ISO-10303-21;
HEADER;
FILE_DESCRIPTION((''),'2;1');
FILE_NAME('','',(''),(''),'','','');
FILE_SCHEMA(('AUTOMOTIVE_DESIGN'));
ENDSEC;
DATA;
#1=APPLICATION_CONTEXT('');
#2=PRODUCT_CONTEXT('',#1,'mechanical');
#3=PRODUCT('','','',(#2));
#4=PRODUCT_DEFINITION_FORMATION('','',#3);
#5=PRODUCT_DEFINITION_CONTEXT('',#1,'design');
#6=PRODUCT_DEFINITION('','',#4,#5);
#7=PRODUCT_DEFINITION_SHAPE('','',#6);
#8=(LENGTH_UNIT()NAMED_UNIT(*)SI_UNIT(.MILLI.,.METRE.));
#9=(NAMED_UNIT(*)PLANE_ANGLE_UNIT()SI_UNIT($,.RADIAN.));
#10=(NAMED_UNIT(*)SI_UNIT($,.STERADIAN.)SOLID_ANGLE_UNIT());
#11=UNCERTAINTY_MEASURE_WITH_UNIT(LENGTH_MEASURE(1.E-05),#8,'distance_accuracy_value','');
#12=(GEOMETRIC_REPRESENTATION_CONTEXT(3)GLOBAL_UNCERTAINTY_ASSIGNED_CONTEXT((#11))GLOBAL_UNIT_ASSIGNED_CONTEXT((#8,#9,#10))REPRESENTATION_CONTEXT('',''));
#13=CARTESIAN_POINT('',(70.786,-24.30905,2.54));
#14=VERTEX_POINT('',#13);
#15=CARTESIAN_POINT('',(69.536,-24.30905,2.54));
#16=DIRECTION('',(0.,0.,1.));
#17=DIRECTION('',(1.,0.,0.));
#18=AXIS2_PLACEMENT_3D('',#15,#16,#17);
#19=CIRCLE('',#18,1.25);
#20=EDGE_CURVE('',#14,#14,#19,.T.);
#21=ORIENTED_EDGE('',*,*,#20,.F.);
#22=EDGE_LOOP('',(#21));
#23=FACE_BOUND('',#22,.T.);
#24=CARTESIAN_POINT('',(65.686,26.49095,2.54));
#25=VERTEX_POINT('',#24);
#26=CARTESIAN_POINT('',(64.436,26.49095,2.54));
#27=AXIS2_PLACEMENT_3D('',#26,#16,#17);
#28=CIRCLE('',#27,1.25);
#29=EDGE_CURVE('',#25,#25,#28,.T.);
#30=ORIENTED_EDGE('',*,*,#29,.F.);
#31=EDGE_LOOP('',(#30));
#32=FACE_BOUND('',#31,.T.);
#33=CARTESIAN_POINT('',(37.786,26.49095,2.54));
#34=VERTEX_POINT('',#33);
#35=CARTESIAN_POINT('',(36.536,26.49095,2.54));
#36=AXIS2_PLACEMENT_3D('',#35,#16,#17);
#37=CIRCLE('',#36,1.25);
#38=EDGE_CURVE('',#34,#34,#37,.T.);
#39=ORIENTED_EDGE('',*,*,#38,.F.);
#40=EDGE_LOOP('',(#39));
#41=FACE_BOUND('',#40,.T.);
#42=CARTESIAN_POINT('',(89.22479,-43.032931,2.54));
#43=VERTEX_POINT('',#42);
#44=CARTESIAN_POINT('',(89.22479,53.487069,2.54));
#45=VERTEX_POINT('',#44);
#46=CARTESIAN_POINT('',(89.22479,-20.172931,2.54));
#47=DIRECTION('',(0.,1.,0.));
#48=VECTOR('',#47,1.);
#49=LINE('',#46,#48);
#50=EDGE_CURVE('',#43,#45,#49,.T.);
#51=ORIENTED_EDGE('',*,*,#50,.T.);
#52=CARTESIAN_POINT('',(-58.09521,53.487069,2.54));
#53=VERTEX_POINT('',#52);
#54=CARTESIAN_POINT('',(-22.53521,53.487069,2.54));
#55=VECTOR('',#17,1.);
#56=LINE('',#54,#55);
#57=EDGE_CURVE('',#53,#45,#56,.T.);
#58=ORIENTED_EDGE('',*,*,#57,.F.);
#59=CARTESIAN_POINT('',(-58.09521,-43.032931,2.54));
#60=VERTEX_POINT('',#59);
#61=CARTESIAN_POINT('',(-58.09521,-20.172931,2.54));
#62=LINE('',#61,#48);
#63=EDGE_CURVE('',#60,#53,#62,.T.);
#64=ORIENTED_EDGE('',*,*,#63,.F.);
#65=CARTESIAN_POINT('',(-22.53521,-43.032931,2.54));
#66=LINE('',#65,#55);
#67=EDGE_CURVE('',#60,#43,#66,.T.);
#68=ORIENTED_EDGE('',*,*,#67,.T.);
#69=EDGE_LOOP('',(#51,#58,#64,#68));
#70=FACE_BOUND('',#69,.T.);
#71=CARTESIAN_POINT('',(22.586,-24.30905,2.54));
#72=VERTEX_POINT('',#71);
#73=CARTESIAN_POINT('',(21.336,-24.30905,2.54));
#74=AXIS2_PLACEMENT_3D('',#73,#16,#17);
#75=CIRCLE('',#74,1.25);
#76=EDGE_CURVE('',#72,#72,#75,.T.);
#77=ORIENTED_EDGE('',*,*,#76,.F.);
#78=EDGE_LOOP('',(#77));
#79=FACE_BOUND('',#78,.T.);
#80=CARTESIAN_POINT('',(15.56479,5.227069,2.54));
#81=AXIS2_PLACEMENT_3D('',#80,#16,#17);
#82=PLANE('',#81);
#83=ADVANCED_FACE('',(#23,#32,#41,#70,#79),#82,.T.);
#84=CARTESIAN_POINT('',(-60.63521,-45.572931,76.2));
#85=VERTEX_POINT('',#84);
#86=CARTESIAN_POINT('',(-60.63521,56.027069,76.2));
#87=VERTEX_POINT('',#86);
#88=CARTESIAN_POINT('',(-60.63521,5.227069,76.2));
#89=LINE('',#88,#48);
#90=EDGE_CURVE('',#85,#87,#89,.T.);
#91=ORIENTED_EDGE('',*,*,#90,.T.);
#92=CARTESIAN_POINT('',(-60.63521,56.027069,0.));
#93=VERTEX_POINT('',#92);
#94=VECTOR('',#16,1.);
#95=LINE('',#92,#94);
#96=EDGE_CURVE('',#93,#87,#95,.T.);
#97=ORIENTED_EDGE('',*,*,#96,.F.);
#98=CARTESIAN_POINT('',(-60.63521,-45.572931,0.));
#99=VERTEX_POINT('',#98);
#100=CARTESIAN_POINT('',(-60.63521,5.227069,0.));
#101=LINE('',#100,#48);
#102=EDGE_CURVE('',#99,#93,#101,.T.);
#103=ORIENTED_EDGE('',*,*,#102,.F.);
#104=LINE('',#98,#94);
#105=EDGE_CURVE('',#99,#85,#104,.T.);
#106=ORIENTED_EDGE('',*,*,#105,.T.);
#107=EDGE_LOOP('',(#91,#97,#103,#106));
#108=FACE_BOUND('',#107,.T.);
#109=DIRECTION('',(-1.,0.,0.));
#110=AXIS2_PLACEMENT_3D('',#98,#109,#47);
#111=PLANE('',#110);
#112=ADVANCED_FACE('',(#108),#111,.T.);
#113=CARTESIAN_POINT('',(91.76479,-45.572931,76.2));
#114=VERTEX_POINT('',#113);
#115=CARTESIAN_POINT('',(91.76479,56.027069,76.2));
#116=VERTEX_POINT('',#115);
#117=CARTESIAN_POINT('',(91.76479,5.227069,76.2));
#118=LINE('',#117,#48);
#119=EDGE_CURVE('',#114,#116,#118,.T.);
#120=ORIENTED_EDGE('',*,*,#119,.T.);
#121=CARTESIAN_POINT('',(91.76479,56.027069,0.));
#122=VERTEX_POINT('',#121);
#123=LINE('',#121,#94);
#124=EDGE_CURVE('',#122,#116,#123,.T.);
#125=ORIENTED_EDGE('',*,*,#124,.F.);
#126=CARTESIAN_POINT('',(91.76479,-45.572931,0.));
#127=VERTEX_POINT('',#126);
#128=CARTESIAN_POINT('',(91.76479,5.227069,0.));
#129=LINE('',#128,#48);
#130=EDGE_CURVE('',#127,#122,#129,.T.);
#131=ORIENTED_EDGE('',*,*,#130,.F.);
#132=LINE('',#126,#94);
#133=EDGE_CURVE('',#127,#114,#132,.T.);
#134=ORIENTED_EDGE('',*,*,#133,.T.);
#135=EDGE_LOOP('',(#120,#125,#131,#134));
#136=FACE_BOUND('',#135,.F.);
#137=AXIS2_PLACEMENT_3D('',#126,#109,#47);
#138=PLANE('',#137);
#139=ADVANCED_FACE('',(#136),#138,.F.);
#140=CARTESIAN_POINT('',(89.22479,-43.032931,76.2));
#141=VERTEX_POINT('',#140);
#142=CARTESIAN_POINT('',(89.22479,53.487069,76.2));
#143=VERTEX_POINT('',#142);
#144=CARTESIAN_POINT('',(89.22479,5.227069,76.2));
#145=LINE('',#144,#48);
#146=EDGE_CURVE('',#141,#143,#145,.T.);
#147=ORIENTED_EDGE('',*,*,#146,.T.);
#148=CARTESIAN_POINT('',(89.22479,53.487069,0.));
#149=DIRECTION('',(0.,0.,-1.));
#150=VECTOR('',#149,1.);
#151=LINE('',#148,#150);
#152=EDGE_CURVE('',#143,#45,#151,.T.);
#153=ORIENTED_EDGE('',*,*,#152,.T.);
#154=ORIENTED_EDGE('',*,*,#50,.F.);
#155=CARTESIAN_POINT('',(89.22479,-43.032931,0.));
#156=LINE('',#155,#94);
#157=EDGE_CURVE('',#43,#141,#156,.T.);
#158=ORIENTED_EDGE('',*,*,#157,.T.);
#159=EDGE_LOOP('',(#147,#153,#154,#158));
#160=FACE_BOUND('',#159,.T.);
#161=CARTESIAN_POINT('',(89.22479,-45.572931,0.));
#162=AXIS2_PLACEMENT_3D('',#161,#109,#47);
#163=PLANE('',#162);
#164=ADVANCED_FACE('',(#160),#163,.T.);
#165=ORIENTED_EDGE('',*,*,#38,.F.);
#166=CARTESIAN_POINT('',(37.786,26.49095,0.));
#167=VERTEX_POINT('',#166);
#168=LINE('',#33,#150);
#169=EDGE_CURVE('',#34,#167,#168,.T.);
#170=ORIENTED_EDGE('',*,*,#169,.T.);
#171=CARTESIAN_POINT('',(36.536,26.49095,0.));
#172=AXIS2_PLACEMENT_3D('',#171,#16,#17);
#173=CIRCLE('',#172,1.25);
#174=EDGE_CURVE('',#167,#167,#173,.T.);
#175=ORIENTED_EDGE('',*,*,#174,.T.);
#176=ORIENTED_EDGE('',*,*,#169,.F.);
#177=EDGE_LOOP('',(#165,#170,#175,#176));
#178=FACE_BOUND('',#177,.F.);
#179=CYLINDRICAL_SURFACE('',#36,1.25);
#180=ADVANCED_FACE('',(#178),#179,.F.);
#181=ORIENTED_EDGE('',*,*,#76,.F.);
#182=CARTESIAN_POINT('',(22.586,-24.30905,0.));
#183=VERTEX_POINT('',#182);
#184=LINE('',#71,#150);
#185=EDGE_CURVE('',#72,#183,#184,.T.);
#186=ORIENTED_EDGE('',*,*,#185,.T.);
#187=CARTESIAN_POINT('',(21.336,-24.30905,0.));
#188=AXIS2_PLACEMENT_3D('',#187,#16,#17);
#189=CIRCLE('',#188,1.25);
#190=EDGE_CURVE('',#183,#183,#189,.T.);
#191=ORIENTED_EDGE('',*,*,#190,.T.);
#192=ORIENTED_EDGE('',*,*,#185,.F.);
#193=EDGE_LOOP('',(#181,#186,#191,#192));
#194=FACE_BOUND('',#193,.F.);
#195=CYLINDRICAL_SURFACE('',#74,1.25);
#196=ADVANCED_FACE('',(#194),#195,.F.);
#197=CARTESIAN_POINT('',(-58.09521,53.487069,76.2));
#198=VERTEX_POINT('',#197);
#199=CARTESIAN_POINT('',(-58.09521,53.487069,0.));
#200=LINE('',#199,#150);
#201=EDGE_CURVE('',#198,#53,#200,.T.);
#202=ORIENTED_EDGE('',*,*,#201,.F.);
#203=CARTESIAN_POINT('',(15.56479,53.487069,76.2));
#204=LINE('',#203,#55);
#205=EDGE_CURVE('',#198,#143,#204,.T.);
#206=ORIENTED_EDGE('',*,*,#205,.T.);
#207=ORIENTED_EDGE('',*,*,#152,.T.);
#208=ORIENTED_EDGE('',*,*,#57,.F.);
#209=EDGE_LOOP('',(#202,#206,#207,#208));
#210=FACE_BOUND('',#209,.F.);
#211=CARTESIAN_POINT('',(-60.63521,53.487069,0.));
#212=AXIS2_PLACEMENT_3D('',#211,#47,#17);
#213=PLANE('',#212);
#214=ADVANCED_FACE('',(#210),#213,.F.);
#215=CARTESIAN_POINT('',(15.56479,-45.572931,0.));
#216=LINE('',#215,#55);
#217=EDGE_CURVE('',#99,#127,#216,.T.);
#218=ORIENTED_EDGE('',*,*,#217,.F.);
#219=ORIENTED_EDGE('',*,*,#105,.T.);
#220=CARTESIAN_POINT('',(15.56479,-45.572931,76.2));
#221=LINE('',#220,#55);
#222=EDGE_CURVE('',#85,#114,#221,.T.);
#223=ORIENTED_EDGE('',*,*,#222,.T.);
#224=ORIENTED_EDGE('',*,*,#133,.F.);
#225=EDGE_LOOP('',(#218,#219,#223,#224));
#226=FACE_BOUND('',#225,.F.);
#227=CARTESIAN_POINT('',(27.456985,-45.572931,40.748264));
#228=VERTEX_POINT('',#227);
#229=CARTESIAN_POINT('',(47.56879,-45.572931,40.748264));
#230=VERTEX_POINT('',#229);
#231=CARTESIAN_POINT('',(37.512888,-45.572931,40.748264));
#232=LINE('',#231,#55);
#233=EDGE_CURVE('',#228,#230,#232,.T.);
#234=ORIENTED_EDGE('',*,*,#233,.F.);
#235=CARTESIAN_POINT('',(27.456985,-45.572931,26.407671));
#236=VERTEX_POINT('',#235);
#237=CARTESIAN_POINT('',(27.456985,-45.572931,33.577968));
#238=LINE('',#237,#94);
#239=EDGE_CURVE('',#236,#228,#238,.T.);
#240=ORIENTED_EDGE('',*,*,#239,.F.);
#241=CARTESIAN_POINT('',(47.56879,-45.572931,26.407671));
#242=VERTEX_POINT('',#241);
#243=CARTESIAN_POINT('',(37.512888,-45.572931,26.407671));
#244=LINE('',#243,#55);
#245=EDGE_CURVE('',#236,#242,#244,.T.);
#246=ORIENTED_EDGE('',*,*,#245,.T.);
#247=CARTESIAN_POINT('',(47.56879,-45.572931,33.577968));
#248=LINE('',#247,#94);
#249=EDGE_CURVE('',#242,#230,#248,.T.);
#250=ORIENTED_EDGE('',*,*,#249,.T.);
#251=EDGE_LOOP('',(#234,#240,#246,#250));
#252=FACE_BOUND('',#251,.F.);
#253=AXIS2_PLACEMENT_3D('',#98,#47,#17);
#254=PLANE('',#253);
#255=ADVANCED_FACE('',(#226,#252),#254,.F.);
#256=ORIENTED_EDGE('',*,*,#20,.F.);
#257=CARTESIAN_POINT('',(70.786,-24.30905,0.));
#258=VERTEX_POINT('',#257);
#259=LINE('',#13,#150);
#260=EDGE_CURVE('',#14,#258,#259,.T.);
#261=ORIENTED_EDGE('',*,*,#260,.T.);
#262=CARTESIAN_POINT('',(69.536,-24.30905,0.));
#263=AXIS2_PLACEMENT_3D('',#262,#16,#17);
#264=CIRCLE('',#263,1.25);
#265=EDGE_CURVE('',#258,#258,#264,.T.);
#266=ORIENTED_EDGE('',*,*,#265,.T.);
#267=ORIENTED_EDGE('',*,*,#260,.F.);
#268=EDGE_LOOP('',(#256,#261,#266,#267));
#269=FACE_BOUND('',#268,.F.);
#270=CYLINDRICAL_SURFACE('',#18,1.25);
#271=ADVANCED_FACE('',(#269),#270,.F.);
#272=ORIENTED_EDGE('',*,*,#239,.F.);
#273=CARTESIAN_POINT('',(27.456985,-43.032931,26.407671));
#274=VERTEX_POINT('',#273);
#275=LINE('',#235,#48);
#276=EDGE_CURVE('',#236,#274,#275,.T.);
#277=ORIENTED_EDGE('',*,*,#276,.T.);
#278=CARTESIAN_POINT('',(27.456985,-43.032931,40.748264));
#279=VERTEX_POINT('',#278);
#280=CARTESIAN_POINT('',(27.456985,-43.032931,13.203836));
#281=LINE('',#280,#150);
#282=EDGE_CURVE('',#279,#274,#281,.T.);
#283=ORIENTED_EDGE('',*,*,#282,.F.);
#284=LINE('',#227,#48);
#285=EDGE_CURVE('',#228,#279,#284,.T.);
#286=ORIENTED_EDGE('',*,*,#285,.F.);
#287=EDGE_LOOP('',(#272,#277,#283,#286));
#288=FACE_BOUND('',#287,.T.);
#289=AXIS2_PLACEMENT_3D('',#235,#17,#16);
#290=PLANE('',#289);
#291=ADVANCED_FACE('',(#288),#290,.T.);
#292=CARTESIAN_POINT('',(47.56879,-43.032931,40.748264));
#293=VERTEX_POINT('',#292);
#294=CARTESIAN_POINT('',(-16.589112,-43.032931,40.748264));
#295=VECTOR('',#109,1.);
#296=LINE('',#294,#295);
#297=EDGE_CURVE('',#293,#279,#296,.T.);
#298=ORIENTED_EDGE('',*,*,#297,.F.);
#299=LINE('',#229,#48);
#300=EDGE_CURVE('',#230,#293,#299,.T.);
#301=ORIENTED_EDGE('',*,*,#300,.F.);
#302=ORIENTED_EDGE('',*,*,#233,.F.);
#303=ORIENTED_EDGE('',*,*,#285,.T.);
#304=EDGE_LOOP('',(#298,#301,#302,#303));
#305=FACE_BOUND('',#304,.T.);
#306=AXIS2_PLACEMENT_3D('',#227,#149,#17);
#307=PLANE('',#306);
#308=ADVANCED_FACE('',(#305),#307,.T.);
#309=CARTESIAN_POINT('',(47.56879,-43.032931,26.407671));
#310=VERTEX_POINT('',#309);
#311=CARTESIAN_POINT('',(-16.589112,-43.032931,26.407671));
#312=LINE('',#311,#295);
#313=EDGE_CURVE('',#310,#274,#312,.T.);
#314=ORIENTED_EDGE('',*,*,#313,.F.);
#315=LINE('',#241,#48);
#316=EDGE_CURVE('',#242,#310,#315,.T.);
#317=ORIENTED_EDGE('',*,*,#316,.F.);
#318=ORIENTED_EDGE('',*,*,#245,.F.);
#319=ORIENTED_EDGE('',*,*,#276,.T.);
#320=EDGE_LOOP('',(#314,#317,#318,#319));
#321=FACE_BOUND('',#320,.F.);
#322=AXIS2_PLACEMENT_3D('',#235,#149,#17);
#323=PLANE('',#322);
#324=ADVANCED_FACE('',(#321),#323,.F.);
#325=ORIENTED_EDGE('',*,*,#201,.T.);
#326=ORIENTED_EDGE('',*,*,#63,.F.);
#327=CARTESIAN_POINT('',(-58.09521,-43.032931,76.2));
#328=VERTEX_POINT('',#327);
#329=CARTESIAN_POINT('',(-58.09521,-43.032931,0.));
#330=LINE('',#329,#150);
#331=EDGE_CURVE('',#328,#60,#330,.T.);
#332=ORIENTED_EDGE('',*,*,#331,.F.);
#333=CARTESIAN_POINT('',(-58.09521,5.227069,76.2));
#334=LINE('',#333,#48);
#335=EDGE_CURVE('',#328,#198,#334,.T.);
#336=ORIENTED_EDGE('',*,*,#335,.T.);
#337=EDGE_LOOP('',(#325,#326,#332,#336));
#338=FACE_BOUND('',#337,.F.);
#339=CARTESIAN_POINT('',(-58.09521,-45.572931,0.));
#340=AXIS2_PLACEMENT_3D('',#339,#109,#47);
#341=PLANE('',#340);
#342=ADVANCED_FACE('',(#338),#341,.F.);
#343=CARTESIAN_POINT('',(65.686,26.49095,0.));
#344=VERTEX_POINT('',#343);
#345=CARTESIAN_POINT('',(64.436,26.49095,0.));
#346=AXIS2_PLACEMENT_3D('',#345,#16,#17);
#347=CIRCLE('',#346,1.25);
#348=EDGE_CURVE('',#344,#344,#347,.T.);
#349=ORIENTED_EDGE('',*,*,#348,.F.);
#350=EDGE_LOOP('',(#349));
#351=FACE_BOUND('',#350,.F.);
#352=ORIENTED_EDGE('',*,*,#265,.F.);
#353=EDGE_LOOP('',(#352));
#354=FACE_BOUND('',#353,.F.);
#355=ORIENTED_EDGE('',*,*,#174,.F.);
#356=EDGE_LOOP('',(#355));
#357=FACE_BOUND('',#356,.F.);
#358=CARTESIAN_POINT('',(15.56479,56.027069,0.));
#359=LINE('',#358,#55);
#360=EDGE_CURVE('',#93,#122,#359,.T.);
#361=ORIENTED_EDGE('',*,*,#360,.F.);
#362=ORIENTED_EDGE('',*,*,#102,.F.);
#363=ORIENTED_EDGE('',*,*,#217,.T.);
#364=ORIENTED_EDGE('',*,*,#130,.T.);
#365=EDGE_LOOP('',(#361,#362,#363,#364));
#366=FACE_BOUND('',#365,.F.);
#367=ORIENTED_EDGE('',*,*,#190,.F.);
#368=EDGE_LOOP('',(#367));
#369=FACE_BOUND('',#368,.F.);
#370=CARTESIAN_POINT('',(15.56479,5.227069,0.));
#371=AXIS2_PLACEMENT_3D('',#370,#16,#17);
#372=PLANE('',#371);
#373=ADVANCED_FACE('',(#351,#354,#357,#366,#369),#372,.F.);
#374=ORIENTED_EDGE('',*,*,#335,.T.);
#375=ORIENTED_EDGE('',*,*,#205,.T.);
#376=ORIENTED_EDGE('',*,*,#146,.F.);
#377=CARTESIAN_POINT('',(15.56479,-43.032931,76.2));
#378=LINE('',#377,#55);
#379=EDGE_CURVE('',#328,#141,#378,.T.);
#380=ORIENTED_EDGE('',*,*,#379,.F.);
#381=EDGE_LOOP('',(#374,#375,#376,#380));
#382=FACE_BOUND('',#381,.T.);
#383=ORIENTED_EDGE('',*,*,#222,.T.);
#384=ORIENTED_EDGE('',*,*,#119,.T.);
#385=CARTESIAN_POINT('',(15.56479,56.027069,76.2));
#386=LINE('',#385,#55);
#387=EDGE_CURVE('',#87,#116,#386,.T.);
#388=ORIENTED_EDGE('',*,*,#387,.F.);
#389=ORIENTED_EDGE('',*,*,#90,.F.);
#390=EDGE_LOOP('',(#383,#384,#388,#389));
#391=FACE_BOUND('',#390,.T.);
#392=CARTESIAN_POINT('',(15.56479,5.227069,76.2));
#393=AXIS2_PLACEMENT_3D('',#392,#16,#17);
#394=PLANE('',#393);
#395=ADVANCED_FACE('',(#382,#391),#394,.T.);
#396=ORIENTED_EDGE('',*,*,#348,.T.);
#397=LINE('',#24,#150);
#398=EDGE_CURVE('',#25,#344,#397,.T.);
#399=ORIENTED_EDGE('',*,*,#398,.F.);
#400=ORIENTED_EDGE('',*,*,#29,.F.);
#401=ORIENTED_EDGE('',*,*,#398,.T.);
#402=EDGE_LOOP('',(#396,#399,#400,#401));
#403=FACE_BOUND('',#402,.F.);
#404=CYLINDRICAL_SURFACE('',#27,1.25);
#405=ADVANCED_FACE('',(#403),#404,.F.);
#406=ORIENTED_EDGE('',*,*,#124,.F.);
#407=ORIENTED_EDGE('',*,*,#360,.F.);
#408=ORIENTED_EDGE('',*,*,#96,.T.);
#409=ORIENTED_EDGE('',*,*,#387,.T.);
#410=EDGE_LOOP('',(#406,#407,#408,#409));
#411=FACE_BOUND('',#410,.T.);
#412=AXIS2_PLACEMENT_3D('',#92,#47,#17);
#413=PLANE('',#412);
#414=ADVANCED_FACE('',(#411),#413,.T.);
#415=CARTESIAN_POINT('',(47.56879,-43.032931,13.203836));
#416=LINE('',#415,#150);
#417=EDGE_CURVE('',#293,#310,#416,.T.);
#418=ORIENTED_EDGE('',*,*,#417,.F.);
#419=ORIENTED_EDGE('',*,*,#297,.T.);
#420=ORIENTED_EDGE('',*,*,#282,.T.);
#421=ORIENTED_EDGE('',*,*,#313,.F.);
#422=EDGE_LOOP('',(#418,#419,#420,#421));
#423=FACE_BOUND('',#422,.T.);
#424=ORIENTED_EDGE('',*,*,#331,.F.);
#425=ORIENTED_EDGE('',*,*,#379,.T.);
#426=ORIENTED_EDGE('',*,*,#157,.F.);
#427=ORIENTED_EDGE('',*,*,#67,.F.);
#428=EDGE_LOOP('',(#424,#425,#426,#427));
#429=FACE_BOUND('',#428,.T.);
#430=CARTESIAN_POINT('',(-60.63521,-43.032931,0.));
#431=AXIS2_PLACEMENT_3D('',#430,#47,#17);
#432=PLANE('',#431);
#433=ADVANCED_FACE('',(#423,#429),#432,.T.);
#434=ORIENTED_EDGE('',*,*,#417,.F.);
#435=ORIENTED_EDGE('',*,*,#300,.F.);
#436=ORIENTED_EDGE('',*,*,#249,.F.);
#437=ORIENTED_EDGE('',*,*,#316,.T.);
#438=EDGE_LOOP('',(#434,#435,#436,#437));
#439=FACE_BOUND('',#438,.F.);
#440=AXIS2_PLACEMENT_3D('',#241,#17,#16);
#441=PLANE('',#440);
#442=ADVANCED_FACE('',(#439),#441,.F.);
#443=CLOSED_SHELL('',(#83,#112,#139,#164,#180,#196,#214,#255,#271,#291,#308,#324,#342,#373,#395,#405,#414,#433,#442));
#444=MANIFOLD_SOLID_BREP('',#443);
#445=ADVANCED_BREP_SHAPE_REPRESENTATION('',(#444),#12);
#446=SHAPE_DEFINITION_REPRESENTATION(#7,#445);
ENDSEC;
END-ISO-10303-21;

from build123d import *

# Parameters (mm, degrees)
F0_W     = 152.4
F0_H     = 101.6
F1_DEPTH = 76.2
F2_T     = -2.54
F3_R     = 1.25
F4_DEPTH = 2.541
F5_W     = 20.111805
F5_H     = 14.340593
F6_DEPTH = 25.4


with BuildPart() as f1:
    # F0 (on Top) → F1 (new body)
    with BuildSketch(Plane.XY):
        with Locations((15.56479, 5.227069)):
            Rectangle(F0_W, F0_H)
    extrude(amount=F1_DEPTH)

    # F2
    f2_openings = [f1.faces().sort_by_distance(p)[0] for p in [
        (15.56479, 5.227069, 76.2),
    ]]
    offset(amount=F2_T, openings=f2_openings)

    # F3 (on face) → F4 (cut, through all)
    with BuildSketch(Plane.XY.offset(2.54)):
        with Locations((21.336, -24.30905)):
            Circle(F3_R)
        with Locations((36.536, 26.49095)):
            Circle(F3_R)
        with Locations((64.436, 26.49095)):
            Circle(F3_R)
        with Locations((69.536, -24.30905)):
            Circle(F3_R)
    extrude(amount=-F4_DEPTH, mode=Mode.SUBTRACT)

    # F5 (on face) → F6 (cut)
    with BuildSketch(Plane.XZ.offset(45.572931)):
        with Locations((37.512888, 33.577968)):
            Rectangle(F5_W, F5_H)
    extrude(amount=-F6_DEPTH, mode=Mode.SUBTRACT)


solid = f1.part
